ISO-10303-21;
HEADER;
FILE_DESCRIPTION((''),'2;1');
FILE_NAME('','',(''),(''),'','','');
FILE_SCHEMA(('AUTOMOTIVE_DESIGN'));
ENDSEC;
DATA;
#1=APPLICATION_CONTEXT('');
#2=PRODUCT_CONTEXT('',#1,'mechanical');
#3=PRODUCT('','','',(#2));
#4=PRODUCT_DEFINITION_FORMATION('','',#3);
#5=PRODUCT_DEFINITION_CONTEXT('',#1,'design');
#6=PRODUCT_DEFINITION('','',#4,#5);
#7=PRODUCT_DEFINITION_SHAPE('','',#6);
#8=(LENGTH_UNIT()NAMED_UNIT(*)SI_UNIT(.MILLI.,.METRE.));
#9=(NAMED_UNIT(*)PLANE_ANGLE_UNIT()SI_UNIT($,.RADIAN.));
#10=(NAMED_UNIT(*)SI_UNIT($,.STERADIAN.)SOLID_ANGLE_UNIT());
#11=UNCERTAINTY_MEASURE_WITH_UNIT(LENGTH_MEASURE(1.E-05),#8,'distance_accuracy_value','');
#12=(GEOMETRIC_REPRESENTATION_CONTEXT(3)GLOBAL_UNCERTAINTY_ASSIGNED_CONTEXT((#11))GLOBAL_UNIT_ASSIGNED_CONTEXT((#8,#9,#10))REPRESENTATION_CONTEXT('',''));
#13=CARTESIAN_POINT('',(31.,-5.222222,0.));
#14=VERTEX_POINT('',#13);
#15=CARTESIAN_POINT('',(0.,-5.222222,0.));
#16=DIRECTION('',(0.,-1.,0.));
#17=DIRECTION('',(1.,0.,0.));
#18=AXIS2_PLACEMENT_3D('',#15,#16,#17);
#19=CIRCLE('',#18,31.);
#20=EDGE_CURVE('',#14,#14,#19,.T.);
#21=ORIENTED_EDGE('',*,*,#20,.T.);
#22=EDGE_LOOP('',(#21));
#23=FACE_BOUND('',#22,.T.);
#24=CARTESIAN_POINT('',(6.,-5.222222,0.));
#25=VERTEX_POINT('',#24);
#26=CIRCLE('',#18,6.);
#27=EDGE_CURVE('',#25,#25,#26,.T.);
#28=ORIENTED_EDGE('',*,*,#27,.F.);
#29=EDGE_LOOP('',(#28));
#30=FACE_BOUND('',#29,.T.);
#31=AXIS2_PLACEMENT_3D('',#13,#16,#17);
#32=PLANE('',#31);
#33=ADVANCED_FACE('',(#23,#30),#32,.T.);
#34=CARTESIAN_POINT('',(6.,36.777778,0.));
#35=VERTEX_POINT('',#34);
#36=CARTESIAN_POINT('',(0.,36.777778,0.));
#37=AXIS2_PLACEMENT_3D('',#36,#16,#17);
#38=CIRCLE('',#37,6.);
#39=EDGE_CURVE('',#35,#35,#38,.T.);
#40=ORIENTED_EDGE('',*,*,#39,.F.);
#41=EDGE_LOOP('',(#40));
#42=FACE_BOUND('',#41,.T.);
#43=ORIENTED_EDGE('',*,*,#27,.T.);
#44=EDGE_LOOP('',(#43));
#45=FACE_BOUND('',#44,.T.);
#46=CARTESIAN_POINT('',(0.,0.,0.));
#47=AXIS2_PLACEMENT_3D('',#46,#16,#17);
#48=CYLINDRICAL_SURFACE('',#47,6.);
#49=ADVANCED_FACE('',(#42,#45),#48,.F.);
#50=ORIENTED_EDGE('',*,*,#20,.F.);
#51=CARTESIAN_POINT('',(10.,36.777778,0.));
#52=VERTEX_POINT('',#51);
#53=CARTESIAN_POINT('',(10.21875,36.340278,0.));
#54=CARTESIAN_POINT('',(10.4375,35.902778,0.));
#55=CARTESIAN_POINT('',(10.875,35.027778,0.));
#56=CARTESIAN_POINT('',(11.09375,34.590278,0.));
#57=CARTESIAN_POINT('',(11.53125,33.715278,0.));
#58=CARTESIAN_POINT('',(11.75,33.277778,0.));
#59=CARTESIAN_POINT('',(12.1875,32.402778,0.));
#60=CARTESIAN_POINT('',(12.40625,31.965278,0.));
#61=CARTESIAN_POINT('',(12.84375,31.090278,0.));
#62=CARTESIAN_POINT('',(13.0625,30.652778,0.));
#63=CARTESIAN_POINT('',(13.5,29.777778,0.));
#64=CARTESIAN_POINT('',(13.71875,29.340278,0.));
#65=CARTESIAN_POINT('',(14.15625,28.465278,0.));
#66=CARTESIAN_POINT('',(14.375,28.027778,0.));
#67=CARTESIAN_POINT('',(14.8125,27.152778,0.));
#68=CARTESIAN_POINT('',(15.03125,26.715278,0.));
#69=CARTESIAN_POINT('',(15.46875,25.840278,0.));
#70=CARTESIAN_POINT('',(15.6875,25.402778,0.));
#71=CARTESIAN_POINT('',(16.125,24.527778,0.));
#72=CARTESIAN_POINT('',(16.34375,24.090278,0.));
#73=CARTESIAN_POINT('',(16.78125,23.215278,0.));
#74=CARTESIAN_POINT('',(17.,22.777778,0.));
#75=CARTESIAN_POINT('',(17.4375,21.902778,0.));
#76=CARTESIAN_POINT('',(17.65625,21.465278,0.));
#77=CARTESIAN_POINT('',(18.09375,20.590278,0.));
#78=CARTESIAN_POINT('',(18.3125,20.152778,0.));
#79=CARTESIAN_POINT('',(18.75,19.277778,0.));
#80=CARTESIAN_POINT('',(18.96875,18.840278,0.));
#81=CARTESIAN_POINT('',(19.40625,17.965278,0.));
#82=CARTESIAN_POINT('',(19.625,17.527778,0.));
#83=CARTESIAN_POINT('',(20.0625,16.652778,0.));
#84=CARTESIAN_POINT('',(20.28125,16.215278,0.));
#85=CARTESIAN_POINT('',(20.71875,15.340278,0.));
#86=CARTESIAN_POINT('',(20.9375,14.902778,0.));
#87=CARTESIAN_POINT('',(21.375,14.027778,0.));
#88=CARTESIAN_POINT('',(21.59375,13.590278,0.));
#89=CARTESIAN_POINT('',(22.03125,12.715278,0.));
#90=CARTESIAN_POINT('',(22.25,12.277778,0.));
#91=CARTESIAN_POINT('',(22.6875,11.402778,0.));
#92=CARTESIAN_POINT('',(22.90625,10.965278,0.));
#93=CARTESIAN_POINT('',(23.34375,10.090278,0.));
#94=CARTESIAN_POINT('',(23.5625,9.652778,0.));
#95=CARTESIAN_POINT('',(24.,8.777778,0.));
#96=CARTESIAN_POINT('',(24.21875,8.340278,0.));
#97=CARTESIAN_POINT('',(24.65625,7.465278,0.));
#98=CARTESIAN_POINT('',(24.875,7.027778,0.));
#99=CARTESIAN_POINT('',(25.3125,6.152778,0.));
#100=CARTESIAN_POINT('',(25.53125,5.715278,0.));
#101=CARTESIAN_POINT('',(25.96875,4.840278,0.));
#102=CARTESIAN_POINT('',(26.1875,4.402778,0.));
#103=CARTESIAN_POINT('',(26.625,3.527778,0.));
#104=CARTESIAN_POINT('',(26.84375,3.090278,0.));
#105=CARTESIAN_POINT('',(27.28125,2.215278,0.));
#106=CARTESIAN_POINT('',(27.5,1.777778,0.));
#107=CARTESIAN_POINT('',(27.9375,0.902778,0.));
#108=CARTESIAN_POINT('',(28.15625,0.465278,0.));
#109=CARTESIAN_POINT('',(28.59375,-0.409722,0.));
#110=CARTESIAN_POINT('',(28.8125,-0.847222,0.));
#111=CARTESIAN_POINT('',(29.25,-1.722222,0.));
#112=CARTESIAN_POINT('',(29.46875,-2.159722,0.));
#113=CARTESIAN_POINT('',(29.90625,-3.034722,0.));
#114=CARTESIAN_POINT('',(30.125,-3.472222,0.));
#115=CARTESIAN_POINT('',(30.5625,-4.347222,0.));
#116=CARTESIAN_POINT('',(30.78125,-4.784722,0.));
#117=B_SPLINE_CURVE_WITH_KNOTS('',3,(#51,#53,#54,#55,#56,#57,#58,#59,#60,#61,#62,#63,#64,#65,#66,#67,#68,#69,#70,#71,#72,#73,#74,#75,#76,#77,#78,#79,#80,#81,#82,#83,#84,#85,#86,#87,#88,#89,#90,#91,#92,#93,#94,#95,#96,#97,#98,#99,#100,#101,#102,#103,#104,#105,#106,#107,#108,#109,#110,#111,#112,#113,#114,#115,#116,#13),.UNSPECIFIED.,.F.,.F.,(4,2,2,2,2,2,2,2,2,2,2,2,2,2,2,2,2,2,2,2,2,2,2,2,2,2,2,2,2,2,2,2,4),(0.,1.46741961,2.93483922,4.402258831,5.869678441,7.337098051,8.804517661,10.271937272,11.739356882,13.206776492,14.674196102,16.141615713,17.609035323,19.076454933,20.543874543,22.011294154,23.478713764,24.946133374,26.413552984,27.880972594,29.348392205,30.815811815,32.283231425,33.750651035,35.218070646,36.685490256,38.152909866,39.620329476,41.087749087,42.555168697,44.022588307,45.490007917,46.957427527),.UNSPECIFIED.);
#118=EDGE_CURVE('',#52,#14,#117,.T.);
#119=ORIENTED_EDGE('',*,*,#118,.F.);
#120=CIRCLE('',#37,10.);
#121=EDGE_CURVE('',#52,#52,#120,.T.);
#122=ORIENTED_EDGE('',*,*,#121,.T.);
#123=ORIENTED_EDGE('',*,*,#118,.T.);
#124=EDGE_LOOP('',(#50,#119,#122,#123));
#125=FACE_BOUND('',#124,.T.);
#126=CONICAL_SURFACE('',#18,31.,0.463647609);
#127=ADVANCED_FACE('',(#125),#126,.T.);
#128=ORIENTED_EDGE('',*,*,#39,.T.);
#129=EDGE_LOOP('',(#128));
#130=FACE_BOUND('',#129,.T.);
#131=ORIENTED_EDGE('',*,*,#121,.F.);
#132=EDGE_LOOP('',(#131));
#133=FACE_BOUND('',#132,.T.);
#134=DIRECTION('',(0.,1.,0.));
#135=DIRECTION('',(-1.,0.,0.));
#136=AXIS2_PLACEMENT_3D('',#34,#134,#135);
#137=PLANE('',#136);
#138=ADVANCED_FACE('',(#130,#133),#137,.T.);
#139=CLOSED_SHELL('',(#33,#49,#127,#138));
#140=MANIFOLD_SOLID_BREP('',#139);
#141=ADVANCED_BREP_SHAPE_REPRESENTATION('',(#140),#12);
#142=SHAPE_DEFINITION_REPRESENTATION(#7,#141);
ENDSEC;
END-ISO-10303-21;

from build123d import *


with BuildPart() as part:
    # Sketch1 → Revolve1 (revolve)
    with BuildSketch(Plane.XY):
        Polygon((6, -5.222222222), (6, 36.777777778), (10, 36.777777778), (31, -5.222222222), align=None)
    revolve(axis=Axis((0, 0, 0), (0, 1, 0)))


solid = part.part
